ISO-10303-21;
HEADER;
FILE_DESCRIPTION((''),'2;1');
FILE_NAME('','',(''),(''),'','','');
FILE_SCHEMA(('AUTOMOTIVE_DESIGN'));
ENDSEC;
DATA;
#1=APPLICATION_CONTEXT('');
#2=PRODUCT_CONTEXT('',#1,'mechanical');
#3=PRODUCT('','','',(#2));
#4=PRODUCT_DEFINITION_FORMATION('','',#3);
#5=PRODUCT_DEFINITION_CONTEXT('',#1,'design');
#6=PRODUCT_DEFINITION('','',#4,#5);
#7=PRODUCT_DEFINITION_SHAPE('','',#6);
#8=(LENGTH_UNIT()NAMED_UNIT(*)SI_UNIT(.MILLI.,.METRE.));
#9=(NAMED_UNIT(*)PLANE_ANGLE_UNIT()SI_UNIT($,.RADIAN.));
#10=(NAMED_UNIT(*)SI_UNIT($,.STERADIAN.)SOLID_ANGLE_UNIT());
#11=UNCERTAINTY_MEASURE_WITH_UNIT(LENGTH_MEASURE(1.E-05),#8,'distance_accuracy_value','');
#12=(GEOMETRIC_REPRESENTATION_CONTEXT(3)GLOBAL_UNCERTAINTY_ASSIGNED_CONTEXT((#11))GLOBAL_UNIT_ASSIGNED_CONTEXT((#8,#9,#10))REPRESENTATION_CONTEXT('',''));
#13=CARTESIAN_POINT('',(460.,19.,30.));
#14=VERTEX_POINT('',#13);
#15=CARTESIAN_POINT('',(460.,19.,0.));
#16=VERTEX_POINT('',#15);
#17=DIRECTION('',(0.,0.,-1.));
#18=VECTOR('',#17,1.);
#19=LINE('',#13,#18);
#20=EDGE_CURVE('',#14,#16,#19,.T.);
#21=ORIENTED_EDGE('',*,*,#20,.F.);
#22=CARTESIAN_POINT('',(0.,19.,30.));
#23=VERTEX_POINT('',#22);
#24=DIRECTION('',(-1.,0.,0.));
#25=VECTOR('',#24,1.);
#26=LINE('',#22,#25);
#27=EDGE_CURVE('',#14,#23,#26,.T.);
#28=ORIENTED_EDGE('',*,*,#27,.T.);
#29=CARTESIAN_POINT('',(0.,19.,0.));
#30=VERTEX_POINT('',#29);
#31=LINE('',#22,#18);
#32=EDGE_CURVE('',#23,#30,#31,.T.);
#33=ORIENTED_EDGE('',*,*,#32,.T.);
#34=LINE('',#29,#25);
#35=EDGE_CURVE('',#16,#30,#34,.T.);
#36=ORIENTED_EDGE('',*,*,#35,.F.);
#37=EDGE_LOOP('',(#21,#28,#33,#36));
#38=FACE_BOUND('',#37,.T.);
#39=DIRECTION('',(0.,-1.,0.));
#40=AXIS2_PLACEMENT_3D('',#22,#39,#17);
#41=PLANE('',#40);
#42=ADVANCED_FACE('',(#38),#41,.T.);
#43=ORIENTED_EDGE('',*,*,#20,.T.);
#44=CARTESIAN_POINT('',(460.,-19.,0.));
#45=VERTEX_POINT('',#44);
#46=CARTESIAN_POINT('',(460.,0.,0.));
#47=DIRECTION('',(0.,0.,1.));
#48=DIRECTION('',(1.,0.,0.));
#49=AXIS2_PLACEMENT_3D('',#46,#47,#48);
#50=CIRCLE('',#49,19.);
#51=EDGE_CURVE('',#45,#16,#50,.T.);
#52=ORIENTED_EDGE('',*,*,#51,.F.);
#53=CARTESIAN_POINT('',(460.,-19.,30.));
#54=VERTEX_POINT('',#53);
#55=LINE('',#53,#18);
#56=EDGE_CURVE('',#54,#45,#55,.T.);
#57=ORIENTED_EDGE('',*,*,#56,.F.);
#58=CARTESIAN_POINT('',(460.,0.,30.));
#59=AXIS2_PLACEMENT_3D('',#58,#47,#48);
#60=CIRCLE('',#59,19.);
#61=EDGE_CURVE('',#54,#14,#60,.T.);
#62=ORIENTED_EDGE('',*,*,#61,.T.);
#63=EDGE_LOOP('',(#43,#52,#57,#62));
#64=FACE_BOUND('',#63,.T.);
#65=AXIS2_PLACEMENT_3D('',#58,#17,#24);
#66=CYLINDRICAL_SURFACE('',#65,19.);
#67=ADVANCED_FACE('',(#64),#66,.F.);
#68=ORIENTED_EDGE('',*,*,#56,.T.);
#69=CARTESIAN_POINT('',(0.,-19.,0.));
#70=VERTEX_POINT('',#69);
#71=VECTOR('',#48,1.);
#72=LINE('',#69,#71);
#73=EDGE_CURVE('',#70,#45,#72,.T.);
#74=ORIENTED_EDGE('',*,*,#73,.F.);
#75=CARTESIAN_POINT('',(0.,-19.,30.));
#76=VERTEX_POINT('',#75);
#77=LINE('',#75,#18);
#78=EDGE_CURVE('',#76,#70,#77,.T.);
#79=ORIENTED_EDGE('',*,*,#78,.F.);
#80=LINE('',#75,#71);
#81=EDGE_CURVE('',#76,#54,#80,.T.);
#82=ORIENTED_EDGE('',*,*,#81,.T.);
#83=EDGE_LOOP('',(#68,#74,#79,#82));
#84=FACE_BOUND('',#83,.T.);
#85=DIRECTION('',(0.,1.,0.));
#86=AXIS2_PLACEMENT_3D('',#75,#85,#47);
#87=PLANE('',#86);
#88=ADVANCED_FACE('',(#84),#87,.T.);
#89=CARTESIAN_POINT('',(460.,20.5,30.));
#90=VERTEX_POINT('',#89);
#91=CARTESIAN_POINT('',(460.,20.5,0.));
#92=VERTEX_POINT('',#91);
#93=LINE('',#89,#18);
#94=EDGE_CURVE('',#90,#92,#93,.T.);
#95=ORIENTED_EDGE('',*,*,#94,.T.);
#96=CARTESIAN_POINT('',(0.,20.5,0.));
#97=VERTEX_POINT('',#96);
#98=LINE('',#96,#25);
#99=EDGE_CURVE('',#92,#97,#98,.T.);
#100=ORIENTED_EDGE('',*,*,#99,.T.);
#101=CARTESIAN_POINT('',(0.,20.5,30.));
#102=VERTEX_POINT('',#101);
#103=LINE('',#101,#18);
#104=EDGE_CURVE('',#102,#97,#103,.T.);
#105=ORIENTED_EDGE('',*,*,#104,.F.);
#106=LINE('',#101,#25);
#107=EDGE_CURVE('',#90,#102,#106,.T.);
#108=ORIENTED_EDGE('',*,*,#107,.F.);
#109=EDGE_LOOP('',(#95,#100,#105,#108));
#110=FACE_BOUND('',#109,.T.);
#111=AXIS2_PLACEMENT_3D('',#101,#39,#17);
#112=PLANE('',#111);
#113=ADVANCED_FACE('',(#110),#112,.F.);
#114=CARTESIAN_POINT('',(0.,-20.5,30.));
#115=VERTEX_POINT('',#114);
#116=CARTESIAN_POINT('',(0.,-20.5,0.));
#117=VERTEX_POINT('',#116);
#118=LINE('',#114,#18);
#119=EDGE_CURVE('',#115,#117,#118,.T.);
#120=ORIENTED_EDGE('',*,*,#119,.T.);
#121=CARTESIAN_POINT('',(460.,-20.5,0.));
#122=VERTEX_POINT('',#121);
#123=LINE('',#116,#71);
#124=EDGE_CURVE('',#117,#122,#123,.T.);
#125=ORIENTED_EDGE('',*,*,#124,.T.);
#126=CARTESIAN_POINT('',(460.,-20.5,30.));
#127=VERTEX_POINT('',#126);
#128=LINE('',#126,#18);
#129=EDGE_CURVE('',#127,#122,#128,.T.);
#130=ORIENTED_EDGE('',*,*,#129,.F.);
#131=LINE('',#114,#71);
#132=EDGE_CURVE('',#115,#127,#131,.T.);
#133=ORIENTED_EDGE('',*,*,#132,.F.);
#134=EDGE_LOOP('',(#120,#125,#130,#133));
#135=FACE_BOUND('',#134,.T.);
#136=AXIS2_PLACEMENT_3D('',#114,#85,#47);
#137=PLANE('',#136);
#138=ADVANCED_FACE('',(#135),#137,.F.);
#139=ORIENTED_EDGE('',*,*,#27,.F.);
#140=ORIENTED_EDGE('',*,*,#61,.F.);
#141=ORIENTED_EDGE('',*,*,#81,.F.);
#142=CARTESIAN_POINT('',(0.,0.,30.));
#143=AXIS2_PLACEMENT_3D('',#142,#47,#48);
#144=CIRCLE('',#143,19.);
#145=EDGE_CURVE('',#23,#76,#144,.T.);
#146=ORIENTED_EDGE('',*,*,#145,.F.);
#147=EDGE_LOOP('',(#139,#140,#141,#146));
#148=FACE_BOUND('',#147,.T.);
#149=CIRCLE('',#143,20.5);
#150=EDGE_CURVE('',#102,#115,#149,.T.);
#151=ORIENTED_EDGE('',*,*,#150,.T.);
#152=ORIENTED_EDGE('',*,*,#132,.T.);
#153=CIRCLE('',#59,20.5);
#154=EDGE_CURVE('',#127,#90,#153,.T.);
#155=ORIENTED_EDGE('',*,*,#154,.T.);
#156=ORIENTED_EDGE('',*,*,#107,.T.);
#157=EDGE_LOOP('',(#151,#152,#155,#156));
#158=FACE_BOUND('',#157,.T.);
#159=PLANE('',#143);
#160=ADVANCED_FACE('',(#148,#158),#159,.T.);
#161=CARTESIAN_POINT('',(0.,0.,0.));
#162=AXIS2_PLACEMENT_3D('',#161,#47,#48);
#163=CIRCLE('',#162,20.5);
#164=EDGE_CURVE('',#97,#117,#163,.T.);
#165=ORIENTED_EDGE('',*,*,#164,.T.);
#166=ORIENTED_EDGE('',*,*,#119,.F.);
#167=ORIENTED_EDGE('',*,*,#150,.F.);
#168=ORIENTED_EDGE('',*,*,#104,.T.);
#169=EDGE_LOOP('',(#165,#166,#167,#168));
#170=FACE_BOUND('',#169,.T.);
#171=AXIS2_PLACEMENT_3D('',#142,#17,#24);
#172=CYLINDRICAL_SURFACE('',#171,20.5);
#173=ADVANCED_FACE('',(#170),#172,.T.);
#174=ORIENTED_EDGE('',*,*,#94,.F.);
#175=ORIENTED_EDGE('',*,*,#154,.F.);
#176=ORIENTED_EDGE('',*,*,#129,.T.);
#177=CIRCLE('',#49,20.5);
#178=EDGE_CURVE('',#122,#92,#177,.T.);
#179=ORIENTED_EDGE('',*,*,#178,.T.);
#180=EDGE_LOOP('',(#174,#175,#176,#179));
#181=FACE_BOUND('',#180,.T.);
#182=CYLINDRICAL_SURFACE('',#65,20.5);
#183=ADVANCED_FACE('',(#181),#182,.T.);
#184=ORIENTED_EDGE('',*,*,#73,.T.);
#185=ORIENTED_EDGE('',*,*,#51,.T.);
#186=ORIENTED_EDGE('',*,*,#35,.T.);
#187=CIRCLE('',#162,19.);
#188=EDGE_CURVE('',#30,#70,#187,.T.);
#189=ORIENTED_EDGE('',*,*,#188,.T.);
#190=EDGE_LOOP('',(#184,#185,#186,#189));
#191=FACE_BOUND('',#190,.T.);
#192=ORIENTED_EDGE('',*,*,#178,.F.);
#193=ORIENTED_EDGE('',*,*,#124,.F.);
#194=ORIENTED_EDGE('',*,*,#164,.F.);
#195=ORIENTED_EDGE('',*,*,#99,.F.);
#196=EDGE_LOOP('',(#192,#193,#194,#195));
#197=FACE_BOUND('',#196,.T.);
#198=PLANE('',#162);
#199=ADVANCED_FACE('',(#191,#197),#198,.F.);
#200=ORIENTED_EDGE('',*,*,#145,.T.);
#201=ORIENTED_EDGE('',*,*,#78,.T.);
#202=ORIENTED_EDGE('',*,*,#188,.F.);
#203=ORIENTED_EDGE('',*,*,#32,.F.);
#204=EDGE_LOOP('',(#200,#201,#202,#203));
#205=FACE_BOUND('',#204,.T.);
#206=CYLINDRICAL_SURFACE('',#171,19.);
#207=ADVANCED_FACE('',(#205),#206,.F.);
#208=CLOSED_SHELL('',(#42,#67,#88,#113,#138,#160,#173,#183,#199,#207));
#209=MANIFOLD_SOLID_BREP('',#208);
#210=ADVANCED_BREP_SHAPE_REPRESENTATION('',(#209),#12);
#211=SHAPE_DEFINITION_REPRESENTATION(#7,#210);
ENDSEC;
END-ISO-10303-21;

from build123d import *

# Parameters (mm, degrees)
EXTRUDE_1_DEPTH = 30


with BuildPart() as part:
    # 草图1 → 凸台-拉伸1 (new body)
    with BuildSketch(Plane.XY):
        with BuildLine():
            Line((0, 20.5), (460, 20.5))
            ThreePointArc((460, 20.5), (480.5, 0), (460, -20.5))
            Line((460, -20.5), (0, -20.5))
            ThreePointArc((0, -20.5), (-20.5, 0), (0, 20.5))
        make_face()
        with BuildLine():
            Line((0, 19), (460, 19))
            ThreePointArc((460, 19), (479, 0), (460, -19))
            Line((460, -19), (0, -19))
            ThreePointArc((0, -19), (-19, 0), (0, 19))
        make_face(mode=Mode.SUBTRACT)
    extrude(amount=EXTRUDE_1_DEPTH)


solid = part.part
